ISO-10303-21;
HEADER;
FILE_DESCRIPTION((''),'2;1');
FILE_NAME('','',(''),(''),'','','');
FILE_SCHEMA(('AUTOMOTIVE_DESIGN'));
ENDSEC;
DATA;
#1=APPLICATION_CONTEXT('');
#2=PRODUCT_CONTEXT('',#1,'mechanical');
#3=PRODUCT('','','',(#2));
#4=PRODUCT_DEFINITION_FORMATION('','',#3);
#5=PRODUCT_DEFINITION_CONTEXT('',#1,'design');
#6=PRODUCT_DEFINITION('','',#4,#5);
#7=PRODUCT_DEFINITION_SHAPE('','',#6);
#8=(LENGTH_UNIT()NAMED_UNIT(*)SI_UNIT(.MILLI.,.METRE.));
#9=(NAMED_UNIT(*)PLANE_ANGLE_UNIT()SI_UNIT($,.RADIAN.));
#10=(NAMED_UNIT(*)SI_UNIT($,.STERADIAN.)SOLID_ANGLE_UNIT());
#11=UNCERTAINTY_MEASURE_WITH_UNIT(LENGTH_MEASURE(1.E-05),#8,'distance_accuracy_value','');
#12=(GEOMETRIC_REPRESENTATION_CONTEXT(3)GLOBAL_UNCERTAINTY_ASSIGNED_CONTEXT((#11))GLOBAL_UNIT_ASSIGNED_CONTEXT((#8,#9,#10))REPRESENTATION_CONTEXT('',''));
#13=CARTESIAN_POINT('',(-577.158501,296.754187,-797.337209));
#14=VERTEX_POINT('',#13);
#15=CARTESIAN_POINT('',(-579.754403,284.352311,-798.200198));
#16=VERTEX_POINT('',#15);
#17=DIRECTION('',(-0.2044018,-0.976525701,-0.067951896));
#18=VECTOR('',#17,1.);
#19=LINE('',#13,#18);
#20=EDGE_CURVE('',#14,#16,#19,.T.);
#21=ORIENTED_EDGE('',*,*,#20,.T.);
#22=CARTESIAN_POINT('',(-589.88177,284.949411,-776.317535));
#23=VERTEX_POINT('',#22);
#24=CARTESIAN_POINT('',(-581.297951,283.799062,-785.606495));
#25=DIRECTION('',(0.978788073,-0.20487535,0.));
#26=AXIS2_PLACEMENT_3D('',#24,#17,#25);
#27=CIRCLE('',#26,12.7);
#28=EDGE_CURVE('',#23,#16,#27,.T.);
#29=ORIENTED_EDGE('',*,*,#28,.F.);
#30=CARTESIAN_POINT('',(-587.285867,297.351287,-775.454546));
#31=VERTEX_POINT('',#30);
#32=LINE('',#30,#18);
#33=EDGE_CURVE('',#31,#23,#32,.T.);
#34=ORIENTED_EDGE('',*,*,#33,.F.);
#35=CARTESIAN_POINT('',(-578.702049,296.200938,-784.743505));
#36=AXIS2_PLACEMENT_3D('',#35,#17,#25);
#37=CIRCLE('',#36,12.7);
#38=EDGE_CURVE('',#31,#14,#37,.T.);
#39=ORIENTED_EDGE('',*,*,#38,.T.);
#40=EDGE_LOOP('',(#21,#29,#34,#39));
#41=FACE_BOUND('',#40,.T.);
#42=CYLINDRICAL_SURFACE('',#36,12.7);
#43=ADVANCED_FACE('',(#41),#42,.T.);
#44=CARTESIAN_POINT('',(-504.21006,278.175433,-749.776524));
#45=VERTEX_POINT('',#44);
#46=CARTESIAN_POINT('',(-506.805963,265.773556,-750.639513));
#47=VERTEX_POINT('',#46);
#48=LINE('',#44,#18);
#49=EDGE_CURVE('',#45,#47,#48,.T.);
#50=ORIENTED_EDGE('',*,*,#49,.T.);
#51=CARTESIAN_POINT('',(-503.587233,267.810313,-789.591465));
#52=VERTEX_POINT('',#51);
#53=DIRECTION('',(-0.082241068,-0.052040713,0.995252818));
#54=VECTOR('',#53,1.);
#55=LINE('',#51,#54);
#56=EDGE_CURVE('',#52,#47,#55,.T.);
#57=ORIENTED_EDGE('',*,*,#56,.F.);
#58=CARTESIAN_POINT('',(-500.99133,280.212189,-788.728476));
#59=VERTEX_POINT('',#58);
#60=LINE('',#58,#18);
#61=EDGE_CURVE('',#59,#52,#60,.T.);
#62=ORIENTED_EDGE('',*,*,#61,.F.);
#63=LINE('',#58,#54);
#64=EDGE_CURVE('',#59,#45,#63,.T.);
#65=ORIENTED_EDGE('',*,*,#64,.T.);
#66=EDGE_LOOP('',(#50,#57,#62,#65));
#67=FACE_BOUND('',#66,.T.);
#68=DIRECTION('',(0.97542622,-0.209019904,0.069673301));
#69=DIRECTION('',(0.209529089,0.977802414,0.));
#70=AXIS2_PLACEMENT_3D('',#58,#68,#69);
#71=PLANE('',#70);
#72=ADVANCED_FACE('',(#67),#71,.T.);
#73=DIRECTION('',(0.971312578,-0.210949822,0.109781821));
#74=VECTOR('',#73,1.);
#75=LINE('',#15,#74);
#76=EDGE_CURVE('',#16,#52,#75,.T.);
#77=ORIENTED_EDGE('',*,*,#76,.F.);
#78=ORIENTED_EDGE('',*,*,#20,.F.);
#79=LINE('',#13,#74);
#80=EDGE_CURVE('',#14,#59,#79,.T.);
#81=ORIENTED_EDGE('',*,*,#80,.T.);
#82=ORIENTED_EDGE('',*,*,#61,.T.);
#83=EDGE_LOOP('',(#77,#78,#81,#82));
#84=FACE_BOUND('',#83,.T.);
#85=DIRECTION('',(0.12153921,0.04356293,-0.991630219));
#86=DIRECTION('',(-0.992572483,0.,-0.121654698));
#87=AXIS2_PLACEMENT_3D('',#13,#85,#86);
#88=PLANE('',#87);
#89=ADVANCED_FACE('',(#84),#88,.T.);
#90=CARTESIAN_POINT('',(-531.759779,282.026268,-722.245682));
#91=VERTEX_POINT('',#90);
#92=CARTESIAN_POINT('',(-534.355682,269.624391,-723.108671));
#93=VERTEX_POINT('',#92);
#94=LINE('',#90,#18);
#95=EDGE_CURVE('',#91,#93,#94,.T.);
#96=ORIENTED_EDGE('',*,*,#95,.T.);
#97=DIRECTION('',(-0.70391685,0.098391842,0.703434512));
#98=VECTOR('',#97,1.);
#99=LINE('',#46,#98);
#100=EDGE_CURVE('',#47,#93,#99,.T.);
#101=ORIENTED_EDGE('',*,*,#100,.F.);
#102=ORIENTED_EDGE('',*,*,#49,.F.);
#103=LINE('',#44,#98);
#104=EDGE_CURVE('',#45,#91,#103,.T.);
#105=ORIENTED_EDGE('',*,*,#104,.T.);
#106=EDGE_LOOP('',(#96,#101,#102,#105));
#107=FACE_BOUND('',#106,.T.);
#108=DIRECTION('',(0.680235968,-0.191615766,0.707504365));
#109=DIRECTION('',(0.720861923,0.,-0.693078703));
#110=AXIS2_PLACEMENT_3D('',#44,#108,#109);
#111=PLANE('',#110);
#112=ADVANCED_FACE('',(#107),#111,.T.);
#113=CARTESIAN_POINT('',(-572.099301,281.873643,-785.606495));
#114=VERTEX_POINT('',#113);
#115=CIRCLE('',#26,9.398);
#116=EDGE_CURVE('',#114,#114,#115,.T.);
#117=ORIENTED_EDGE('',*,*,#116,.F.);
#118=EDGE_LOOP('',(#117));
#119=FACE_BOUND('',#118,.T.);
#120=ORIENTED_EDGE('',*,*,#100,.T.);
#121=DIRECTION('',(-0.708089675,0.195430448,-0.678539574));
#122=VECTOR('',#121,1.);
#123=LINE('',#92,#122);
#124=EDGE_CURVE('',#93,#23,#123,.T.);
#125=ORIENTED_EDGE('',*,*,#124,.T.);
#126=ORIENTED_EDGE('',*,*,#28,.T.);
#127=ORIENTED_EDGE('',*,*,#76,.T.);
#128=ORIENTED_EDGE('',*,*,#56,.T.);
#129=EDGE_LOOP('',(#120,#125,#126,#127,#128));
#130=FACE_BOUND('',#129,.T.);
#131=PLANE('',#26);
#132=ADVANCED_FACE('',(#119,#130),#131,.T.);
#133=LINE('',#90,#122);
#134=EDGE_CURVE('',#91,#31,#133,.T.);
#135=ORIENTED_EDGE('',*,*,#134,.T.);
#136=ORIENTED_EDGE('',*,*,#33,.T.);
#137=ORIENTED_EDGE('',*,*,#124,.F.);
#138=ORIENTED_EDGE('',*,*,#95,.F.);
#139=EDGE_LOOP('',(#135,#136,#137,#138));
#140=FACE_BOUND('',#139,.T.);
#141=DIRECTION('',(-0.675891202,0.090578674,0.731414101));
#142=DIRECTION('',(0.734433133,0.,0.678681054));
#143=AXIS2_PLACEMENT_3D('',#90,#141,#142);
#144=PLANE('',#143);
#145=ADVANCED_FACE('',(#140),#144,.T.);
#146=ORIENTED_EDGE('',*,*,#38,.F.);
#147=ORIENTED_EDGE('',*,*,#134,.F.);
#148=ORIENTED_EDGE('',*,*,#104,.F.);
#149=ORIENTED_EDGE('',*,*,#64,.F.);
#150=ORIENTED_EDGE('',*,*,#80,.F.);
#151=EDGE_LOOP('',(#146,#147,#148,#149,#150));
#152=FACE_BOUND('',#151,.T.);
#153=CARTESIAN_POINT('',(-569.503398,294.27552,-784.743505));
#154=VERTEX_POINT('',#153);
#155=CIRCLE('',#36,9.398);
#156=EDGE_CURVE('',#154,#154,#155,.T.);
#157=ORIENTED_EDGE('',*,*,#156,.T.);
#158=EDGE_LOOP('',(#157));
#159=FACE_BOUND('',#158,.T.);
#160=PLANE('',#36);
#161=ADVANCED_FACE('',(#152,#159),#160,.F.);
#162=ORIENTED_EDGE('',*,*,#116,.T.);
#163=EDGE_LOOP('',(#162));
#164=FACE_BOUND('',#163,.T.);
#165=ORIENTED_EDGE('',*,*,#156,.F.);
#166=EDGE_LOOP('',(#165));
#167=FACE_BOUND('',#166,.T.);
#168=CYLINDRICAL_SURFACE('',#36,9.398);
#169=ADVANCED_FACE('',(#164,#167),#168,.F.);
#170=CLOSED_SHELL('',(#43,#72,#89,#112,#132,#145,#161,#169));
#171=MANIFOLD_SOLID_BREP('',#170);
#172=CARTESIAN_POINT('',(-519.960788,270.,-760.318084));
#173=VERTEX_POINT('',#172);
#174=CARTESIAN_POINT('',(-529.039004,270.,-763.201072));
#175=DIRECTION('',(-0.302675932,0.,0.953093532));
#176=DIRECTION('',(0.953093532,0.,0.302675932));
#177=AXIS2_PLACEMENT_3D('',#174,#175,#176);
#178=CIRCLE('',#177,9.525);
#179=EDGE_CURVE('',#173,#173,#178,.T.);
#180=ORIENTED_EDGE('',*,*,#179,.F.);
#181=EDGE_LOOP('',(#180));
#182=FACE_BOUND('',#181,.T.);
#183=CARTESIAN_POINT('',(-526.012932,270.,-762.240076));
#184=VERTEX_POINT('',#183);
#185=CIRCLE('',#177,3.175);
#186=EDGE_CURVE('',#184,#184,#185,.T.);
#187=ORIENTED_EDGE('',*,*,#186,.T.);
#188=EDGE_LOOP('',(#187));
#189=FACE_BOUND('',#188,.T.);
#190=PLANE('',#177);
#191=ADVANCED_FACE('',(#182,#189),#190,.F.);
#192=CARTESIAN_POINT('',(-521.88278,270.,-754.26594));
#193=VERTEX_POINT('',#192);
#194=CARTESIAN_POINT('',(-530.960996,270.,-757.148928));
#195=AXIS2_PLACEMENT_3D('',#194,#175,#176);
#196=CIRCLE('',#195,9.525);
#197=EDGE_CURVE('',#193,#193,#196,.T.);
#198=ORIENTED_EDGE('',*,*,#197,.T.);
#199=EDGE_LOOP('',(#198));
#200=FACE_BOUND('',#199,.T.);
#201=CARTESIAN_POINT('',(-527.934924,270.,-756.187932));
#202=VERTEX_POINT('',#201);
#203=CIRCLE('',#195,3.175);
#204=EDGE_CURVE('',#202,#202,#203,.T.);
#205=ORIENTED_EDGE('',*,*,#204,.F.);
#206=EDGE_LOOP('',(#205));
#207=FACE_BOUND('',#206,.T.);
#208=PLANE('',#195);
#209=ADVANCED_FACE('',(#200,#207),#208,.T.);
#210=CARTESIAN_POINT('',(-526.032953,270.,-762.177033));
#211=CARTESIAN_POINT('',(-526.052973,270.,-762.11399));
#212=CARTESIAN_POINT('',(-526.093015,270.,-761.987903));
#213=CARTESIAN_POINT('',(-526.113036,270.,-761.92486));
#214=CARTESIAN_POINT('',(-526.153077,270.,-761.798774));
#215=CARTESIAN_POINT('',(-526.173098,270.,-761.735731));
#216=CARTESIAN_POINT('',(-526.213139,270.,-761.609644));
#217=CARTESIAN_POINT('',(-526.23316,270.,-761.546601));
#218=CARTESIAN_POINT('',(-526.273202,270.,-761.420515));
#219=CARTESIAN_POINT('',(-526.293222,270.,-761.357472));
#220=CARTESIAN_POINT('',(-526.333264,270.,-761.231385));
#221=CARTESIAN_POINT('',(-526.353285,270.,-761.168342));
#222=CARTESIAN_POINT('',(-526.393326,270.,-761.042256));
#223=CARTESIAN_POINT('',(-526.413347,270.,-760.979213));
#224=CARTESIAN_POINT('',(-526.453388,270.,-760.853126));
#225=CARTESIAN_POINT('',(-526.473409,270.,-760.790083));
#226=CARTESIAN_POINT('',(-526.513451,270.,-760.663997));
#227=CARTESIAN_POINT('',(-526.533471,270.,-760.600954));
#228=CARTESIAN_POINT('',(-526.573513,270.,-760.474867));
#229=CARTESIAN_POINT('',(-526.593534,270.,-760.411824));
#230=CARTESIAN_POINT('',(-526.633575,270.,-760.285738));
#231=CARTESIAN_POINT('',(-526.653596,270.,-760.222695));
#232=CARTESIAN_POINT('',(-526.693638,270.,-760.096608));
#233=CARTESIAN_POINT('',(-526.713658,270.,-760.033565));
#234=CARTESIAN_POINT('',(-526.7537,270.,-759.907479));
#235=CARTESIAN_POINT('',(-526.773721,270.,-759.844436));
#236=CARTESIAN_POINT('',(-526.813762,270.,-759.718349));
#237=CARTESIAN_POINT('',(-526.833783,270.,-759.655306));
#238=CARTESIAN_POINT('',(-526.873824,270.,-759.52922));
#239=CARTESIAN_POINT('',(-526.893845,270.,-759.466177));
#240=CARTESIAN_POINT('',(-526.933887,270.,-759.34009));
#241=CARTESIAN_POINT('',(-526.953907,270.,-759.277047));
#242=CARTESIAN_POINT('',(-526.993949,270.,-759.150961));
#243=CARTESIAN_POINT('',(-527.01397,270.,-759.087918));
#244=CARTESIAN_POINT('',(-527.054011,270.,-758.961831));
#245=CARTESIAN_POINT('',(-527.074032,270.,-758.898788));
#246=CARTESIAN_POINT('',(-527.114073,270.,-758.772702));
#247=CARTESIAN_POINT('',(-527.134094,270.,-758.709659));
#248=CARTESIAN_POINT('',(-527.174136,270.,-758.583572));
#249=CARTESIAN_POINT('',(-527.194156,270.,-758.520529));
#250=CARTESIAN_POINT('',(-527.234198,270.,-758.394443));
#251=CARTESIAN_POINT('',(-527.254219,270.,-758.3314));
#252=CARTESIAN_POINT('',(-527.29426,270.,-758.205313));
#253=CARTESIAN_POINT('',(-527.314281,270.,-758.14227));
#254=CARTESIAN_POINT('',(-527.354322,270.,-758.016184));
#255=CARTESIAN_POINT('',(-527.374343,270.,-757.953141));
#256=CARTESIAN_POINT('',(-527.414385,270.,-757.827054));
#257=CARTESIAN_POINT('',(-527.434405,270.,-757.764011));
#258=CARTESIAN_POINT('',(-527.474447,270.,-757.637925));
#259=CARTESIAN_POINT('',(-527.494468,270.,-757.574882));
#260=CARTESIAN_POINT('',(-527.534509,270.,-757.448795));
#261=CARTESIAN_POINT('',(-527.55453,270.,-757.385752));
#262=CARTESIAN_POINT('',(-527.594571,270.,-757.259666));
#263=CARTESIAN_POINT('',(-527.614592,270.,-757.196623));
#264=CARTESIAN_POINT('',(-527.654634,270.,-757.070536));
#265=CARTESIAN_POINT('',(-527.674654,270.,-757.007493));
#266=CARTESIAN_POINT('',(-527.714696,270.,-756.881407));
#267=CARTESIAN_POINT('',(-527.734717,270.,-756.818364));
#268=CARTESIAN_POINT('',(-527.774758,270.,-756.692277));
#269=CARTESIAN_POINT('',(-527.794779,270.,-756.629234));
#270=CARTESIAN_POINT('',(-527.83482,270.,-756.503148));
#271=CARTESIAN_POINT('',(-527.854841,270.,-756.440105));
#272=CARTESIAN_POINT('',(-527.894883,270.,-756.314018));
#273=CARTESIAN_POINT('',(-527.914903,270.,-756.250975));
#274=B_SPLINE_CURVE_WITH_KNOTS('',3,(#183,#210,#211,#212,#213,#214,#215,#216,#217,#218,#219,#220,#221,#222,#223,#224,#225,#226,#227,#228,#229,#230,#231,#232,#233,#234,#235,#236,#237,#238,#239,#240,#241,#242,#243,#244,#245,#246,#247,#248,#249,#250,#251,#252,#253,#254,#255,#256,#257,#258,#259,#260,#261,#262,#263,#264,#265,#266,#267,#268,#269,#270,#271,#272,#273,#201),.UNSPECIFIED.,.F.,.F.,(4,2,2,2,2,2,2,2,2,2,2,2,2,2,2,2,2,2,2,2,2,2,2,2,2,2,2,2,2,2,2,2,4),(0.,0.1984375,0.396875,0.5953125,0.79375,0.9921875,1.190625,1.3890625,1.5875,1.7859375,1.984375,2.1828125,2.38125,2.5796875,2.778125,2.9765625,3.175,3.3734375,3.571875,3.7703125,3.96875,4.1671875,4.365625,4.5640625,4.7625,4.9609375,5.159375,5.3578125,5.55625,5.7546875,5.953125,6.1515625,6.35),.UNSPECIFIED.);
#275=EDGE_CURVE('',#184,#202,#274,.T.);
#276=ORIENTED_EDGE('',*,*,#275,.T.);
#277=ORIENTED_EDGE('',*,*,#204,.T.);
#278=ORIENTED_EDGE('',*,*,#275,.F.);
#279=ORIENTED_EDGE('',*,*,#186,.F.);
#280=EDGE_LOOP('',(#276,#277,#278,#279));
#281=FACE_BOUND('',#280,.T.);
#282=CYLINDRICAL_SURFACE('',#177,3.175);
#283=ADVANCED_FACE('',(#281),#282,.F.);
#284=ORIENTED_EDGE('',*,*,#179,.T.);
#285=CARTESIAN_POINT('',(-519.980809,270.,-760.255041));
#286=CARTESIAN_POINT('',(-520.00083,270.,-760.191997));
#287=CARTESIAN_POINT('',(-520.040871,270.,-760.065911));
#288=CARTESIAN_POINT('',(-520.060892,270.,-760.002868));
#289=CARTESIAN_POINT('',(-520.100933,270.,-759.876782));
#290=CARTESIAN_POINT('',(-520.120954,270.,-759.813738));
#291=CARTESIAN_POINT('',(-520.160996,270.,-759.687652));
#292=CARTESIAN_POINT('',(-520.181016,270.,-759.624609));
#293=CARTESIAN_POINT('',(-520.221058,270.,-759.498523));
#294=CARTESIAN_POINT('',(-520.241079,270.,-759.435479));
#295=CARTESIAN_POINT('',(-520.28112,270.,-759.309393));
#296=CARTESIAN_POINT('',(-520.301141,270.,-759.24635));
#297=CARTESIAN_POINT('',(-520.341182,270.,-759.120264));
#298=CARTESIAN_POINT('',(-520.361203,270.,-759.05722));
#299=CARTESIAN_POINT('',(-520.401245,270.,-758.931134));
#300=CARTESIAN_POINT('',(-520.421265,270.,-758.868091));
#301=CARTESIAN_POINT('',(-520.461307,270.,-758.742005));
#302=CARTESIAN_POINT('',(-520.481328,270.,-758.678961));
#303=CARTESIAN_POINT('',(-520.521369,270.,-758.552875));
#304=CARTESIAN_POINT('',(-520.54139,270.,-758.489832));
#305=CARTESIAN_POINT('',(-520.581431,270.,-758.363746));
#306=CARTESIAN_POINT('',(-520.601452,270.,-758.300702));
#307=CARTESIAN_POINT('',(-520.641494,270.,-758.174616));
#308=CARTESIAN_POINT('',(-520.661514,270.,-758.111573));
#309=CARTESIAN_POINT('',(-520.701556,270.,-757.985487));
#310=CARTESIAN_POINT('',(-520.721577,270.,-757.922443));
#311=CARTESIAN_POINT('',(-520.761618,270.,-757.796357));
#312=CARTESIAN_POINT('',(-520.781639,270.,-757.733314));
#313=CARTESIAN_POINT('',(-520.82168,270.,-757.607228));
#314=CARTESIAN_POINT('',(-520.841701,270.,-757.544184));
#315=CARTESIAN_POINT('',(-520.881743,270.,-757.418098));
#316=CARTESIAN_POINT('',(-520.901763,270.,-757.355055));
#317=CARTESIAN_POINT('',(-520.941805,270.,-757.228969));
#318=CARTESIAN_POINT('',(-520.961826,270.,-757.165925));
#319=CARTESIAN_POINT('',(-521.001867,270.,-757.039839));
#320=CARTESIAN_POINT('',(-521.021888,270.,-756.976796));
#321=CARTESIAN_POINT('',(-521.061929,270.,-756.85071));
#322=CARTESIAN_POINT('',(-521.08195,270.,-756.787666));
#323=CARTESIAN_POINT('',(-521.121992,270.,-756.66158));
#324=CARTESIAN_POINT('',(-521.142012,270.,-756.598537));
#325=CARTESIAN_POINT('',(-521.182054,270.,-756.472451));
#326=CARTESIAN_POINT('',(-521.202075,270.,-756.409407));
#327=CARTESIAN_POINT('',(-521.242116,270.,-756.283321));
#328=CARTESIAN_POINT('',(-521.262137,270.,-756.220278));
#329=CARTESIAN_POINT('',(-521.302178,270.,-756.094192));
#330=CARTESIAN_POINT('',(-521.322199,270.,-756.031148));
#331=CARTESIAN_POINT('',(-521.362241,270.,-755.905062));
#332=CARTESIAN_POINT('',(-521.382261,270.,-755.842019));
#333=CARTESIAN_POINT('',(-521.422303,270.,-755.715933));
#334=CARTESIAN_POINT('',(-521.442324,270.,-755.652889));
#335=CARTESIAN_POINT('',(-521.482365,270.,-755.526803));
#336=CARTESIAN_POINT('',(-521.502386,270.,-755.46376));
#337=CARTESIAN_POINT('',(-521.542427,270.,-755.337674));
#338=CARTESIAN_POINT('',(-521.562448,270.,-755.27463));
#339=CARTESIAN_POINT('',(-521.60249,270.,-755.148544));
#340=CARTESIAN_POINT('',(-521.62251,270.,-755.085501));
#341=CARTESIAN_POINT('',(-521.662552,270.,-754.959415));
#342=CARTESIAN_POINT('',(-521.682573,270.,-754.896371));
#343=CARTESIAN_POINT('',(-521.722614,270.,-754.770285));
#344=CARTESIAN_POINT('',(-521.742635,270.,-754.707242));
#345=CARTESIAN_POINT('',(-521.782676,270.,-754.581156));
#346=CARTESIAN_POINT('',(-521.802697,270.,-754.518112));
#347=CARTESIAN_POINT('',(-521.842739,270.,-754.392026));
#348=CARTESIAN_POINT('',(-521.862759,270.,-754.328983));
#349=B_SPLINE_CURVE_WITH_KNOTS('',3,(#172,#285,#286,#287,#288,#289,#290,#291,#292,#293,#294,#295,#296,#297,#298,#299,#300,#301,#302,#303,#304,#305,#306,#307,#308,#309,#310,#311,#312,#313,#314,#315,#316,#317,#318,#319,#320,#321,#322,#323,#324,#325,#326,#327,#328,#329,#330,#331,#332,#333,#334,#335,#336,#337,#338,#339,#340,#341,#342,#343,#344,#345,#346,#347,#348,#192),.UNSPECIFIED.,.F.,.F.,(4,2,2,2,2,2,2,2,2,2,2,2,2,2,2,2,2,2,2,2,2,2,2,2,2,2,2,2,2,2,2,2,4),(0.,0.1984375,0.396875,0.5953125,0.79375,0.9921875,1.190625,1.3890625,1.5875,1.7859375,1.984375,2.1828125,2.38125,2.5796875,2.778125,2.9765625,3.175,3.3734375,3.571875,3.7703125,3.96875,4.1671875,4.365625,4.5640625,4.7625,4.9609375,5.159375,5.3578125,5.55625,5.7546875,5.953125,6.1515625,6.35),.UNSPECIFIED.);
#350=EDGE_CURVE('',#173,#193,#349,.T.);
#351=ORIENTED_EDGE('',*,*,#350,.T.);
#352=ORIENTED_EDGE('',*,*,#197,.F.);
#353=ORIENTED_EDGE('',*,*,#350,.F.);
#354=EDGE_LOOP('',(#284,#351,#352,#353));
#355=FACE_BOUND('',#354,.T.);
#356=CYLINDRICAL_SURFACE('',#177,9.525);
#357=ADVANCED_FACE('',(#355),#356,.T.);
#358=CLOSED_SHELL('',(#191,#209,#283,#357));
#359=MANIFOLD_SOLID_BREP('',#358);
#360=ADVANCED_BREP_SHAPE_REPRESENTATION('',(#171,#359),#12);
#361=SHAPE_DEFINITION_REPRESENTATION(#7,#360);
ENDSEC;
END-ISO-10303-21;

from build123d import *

# Parameters (mm, degrees)
BOSS_EXTRUDE1_DEPTH      = 3.175
BOSS_EXTRUDE1_DEPTH_BACK = 3.175
ROD_END_BLOCK_R          = 9.525
ROD_END_BLOCK_R_2        = 3.175
BOSS_EXTRUDE2_DEPTH      = 6.35
BOSS_EXTRUDE2_DEPTH_BACK = 6.35
SKETCH37_R               = 9.398


with BuildPart() as part:
    # rod end block → Boss-Extrude1 (new, two sides: drawn at the far end of the back side and taken through both)
    with BuildSketch(Plane(origin=(170.739381635, 0, -537.639710231), x_dir=(0.9530935317801348, 0, 0.3026759317799639), z_dir=(-0.3026759317799638, 0, 0.9530935317801347)).offset(-BOSS_EXTRUDE1_DEPTH_BACK)):
        with Locations((-735.226248284, 270)):
            Circle(ROD_END_BLOCK_R)
        with Locations((-735.226248284, 270)):
            Circle(ROD_END_BLOCK_R_2, mode=Mode.SUBTRACT)
    extrude(amount=BOSS_EXTRUDE1_DEPTH + BOSS_EXTRUDE1_DEPTH_BACK)


with BuildPart() as body_2:
    # Sketch37 → Boss-Extrude2 (new, two sides: drawn at the far end of the back side and taken through both)
    with BuildSketch(Plane(origin=(22.746911344, 108.672934845, 7.562045718), x_dir=(-0.9788870741818188, 0.20390872100911547, 0.014189062554840587), z_dir=(-0.2044018003828696, -0.9765257005314425, -0.06795189623415251)).offset(-BOSS_EXTRUDE2_DEPTH_BACK)):
        with BuildLine():
            Line((614.170295266, 816.013723782), (536.360328554, 806.277453435))
            Line((536.360328554, 806.277453435), (539.648481179, 767.278078165))
            Line((539.648481179, 767.278078165), (567.792401082, 740.080964501))
            Line((567.792401082, 740.080964501), (624.516091521, 794.22529775))
            ThreePointArc((624.516091521, 794.22529775), (627.2195154, 808.859423994), (614.170295266, 816.013723782))
        make_face()
        with Locations(Location((615.747134927, 803.411994668, 0), (0, 0, 180.814884333))):
            Circle(SKETCH37_R, mode=Mode.SUBTRACT)
    extrude(amount=BOSS_EXTRUDE2_DEPTH + BOSS_EXTRUDE2_DEPTH_BACK)


solid = Compound([part.part, body_2.part])
